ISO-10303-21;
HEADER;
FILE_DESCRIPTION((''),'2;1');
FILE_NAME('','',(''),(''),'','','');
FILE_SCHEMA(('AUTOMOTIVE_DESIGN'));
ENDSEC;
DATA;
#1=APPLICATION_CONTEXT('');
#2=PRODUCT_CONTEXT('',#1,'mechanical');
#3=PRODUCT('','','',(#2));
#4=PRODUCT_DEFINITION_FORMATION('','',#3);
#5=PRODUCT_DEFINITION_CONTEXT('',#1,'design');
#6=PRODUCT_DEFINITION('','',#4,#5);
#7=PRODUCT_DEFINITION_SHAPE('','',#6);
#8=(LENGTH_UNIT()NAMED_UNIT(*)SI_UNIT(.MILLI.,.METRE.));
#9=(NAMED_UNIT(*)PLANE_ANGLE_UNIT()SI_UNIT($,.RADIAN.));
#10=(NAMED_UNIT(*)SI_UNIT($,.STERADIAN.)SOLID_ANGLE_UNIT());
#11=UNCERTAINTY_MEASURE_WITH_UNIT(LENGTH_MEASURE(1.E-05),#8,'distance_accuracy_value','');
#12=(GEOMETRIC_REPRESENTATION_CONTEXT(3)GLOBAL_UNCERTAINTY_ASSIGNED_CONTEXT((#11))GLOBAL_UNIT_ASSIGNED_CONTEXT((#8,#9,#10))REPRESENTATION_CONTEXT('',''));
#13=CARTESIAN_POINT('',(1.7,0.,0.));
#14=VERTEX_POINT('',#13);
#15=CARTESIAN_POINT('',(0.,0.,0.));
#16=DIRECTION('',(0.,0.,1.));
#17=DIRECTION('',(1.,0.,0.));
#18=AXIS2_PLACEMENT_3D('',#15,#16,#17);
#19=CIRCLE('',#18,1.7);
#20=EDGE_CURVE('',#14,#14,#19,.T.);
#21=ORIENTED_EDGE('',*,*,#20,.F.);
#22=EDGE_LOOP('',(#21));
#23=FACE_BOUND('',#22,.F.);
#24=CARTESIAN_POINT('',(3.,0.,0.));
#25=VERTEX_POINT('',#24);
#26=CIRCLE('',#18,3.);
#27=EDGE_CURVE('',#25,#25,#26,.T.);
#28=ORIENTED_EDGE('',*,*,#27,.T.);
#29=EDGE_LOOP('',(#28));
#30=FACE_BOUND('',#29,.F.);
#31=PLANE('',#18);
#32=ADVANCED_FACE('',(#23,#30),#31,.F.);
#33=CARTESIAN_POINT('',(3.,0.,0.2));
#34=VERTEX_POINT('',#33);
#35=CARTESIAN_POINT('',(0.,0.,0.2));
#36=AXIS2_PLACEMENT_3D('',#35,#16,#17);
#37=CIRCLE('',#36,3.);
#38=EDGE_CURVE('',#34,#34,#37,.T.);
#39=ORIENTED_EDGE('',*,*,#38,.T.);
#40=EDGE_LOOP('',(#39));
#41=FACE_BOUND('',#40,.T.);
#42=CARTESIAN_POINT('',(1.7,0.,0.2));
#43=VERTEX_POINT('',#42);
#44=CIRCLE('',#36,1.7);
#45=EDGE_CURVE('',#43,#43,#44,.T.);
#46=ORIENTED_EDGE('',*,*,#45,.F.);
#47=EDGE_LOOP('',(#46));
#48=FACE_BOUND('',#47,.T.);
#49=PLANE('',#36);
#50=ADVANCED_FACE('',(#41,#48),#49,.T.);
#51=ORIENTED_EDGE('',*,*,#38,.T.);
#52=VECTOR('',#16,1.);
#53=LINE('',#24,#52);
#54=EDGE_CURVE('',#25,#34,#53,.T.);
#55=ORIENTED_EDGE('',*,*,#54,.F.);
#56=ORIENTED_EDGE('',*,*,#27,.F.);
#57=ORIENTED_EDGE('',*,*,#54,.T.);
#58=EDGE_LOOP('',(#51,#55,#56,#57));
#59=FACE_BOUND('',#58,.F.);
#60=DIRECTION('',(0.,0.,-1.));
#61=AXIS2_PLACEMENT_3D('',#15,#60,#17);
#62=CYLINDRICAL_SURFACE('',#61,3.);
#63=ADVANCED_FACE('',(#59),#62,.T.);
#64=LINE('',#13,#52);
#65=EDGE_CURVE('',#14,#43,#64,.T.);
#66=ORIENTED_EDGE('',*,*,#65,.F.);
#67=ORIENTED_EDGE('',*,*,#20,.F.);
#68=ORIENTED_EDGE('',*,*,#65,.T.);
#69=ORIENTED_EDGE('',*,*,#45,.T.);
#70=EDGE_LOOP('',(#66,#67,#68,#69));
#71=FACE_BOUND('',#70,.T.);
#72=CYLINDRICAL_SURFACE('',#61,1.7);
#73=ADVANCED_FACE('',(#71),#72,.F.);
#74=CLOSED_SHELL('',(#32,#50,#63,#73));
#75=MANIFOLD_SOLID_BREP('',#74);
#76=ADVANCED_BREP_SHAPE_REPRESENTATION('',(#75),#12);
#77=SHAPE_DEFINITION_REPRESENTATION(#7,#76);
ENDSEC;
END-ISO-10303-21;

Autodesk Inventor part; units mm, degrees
ref_plane "YZ Plane" through (0, 0, 0) normal (1, 0, 0) x (0, 1, 0)
ref_plane "XZ Plane" through (0, 0, 0) normal (0, 1, 0) x (-1, 0, 0)
ref_plane "XY Plane" through (0, 0, 0) normal (0, 0, 1) x (1, 0, 0)
sketch "Sketch1" plane through (0, 0, 0) normal (0, 0, 1) x (1, 0, 0)
  circle A0 centre (0, 0) radius 1.7
  circle A1 centre (0, 0) radius 3
  dimension "d0" = 3.4
  dimension "d1" = 6
extrude "Extrusion1" add sketch "Sketch1" along normal blind 0.2
properties part number "clinquantSpacer"
